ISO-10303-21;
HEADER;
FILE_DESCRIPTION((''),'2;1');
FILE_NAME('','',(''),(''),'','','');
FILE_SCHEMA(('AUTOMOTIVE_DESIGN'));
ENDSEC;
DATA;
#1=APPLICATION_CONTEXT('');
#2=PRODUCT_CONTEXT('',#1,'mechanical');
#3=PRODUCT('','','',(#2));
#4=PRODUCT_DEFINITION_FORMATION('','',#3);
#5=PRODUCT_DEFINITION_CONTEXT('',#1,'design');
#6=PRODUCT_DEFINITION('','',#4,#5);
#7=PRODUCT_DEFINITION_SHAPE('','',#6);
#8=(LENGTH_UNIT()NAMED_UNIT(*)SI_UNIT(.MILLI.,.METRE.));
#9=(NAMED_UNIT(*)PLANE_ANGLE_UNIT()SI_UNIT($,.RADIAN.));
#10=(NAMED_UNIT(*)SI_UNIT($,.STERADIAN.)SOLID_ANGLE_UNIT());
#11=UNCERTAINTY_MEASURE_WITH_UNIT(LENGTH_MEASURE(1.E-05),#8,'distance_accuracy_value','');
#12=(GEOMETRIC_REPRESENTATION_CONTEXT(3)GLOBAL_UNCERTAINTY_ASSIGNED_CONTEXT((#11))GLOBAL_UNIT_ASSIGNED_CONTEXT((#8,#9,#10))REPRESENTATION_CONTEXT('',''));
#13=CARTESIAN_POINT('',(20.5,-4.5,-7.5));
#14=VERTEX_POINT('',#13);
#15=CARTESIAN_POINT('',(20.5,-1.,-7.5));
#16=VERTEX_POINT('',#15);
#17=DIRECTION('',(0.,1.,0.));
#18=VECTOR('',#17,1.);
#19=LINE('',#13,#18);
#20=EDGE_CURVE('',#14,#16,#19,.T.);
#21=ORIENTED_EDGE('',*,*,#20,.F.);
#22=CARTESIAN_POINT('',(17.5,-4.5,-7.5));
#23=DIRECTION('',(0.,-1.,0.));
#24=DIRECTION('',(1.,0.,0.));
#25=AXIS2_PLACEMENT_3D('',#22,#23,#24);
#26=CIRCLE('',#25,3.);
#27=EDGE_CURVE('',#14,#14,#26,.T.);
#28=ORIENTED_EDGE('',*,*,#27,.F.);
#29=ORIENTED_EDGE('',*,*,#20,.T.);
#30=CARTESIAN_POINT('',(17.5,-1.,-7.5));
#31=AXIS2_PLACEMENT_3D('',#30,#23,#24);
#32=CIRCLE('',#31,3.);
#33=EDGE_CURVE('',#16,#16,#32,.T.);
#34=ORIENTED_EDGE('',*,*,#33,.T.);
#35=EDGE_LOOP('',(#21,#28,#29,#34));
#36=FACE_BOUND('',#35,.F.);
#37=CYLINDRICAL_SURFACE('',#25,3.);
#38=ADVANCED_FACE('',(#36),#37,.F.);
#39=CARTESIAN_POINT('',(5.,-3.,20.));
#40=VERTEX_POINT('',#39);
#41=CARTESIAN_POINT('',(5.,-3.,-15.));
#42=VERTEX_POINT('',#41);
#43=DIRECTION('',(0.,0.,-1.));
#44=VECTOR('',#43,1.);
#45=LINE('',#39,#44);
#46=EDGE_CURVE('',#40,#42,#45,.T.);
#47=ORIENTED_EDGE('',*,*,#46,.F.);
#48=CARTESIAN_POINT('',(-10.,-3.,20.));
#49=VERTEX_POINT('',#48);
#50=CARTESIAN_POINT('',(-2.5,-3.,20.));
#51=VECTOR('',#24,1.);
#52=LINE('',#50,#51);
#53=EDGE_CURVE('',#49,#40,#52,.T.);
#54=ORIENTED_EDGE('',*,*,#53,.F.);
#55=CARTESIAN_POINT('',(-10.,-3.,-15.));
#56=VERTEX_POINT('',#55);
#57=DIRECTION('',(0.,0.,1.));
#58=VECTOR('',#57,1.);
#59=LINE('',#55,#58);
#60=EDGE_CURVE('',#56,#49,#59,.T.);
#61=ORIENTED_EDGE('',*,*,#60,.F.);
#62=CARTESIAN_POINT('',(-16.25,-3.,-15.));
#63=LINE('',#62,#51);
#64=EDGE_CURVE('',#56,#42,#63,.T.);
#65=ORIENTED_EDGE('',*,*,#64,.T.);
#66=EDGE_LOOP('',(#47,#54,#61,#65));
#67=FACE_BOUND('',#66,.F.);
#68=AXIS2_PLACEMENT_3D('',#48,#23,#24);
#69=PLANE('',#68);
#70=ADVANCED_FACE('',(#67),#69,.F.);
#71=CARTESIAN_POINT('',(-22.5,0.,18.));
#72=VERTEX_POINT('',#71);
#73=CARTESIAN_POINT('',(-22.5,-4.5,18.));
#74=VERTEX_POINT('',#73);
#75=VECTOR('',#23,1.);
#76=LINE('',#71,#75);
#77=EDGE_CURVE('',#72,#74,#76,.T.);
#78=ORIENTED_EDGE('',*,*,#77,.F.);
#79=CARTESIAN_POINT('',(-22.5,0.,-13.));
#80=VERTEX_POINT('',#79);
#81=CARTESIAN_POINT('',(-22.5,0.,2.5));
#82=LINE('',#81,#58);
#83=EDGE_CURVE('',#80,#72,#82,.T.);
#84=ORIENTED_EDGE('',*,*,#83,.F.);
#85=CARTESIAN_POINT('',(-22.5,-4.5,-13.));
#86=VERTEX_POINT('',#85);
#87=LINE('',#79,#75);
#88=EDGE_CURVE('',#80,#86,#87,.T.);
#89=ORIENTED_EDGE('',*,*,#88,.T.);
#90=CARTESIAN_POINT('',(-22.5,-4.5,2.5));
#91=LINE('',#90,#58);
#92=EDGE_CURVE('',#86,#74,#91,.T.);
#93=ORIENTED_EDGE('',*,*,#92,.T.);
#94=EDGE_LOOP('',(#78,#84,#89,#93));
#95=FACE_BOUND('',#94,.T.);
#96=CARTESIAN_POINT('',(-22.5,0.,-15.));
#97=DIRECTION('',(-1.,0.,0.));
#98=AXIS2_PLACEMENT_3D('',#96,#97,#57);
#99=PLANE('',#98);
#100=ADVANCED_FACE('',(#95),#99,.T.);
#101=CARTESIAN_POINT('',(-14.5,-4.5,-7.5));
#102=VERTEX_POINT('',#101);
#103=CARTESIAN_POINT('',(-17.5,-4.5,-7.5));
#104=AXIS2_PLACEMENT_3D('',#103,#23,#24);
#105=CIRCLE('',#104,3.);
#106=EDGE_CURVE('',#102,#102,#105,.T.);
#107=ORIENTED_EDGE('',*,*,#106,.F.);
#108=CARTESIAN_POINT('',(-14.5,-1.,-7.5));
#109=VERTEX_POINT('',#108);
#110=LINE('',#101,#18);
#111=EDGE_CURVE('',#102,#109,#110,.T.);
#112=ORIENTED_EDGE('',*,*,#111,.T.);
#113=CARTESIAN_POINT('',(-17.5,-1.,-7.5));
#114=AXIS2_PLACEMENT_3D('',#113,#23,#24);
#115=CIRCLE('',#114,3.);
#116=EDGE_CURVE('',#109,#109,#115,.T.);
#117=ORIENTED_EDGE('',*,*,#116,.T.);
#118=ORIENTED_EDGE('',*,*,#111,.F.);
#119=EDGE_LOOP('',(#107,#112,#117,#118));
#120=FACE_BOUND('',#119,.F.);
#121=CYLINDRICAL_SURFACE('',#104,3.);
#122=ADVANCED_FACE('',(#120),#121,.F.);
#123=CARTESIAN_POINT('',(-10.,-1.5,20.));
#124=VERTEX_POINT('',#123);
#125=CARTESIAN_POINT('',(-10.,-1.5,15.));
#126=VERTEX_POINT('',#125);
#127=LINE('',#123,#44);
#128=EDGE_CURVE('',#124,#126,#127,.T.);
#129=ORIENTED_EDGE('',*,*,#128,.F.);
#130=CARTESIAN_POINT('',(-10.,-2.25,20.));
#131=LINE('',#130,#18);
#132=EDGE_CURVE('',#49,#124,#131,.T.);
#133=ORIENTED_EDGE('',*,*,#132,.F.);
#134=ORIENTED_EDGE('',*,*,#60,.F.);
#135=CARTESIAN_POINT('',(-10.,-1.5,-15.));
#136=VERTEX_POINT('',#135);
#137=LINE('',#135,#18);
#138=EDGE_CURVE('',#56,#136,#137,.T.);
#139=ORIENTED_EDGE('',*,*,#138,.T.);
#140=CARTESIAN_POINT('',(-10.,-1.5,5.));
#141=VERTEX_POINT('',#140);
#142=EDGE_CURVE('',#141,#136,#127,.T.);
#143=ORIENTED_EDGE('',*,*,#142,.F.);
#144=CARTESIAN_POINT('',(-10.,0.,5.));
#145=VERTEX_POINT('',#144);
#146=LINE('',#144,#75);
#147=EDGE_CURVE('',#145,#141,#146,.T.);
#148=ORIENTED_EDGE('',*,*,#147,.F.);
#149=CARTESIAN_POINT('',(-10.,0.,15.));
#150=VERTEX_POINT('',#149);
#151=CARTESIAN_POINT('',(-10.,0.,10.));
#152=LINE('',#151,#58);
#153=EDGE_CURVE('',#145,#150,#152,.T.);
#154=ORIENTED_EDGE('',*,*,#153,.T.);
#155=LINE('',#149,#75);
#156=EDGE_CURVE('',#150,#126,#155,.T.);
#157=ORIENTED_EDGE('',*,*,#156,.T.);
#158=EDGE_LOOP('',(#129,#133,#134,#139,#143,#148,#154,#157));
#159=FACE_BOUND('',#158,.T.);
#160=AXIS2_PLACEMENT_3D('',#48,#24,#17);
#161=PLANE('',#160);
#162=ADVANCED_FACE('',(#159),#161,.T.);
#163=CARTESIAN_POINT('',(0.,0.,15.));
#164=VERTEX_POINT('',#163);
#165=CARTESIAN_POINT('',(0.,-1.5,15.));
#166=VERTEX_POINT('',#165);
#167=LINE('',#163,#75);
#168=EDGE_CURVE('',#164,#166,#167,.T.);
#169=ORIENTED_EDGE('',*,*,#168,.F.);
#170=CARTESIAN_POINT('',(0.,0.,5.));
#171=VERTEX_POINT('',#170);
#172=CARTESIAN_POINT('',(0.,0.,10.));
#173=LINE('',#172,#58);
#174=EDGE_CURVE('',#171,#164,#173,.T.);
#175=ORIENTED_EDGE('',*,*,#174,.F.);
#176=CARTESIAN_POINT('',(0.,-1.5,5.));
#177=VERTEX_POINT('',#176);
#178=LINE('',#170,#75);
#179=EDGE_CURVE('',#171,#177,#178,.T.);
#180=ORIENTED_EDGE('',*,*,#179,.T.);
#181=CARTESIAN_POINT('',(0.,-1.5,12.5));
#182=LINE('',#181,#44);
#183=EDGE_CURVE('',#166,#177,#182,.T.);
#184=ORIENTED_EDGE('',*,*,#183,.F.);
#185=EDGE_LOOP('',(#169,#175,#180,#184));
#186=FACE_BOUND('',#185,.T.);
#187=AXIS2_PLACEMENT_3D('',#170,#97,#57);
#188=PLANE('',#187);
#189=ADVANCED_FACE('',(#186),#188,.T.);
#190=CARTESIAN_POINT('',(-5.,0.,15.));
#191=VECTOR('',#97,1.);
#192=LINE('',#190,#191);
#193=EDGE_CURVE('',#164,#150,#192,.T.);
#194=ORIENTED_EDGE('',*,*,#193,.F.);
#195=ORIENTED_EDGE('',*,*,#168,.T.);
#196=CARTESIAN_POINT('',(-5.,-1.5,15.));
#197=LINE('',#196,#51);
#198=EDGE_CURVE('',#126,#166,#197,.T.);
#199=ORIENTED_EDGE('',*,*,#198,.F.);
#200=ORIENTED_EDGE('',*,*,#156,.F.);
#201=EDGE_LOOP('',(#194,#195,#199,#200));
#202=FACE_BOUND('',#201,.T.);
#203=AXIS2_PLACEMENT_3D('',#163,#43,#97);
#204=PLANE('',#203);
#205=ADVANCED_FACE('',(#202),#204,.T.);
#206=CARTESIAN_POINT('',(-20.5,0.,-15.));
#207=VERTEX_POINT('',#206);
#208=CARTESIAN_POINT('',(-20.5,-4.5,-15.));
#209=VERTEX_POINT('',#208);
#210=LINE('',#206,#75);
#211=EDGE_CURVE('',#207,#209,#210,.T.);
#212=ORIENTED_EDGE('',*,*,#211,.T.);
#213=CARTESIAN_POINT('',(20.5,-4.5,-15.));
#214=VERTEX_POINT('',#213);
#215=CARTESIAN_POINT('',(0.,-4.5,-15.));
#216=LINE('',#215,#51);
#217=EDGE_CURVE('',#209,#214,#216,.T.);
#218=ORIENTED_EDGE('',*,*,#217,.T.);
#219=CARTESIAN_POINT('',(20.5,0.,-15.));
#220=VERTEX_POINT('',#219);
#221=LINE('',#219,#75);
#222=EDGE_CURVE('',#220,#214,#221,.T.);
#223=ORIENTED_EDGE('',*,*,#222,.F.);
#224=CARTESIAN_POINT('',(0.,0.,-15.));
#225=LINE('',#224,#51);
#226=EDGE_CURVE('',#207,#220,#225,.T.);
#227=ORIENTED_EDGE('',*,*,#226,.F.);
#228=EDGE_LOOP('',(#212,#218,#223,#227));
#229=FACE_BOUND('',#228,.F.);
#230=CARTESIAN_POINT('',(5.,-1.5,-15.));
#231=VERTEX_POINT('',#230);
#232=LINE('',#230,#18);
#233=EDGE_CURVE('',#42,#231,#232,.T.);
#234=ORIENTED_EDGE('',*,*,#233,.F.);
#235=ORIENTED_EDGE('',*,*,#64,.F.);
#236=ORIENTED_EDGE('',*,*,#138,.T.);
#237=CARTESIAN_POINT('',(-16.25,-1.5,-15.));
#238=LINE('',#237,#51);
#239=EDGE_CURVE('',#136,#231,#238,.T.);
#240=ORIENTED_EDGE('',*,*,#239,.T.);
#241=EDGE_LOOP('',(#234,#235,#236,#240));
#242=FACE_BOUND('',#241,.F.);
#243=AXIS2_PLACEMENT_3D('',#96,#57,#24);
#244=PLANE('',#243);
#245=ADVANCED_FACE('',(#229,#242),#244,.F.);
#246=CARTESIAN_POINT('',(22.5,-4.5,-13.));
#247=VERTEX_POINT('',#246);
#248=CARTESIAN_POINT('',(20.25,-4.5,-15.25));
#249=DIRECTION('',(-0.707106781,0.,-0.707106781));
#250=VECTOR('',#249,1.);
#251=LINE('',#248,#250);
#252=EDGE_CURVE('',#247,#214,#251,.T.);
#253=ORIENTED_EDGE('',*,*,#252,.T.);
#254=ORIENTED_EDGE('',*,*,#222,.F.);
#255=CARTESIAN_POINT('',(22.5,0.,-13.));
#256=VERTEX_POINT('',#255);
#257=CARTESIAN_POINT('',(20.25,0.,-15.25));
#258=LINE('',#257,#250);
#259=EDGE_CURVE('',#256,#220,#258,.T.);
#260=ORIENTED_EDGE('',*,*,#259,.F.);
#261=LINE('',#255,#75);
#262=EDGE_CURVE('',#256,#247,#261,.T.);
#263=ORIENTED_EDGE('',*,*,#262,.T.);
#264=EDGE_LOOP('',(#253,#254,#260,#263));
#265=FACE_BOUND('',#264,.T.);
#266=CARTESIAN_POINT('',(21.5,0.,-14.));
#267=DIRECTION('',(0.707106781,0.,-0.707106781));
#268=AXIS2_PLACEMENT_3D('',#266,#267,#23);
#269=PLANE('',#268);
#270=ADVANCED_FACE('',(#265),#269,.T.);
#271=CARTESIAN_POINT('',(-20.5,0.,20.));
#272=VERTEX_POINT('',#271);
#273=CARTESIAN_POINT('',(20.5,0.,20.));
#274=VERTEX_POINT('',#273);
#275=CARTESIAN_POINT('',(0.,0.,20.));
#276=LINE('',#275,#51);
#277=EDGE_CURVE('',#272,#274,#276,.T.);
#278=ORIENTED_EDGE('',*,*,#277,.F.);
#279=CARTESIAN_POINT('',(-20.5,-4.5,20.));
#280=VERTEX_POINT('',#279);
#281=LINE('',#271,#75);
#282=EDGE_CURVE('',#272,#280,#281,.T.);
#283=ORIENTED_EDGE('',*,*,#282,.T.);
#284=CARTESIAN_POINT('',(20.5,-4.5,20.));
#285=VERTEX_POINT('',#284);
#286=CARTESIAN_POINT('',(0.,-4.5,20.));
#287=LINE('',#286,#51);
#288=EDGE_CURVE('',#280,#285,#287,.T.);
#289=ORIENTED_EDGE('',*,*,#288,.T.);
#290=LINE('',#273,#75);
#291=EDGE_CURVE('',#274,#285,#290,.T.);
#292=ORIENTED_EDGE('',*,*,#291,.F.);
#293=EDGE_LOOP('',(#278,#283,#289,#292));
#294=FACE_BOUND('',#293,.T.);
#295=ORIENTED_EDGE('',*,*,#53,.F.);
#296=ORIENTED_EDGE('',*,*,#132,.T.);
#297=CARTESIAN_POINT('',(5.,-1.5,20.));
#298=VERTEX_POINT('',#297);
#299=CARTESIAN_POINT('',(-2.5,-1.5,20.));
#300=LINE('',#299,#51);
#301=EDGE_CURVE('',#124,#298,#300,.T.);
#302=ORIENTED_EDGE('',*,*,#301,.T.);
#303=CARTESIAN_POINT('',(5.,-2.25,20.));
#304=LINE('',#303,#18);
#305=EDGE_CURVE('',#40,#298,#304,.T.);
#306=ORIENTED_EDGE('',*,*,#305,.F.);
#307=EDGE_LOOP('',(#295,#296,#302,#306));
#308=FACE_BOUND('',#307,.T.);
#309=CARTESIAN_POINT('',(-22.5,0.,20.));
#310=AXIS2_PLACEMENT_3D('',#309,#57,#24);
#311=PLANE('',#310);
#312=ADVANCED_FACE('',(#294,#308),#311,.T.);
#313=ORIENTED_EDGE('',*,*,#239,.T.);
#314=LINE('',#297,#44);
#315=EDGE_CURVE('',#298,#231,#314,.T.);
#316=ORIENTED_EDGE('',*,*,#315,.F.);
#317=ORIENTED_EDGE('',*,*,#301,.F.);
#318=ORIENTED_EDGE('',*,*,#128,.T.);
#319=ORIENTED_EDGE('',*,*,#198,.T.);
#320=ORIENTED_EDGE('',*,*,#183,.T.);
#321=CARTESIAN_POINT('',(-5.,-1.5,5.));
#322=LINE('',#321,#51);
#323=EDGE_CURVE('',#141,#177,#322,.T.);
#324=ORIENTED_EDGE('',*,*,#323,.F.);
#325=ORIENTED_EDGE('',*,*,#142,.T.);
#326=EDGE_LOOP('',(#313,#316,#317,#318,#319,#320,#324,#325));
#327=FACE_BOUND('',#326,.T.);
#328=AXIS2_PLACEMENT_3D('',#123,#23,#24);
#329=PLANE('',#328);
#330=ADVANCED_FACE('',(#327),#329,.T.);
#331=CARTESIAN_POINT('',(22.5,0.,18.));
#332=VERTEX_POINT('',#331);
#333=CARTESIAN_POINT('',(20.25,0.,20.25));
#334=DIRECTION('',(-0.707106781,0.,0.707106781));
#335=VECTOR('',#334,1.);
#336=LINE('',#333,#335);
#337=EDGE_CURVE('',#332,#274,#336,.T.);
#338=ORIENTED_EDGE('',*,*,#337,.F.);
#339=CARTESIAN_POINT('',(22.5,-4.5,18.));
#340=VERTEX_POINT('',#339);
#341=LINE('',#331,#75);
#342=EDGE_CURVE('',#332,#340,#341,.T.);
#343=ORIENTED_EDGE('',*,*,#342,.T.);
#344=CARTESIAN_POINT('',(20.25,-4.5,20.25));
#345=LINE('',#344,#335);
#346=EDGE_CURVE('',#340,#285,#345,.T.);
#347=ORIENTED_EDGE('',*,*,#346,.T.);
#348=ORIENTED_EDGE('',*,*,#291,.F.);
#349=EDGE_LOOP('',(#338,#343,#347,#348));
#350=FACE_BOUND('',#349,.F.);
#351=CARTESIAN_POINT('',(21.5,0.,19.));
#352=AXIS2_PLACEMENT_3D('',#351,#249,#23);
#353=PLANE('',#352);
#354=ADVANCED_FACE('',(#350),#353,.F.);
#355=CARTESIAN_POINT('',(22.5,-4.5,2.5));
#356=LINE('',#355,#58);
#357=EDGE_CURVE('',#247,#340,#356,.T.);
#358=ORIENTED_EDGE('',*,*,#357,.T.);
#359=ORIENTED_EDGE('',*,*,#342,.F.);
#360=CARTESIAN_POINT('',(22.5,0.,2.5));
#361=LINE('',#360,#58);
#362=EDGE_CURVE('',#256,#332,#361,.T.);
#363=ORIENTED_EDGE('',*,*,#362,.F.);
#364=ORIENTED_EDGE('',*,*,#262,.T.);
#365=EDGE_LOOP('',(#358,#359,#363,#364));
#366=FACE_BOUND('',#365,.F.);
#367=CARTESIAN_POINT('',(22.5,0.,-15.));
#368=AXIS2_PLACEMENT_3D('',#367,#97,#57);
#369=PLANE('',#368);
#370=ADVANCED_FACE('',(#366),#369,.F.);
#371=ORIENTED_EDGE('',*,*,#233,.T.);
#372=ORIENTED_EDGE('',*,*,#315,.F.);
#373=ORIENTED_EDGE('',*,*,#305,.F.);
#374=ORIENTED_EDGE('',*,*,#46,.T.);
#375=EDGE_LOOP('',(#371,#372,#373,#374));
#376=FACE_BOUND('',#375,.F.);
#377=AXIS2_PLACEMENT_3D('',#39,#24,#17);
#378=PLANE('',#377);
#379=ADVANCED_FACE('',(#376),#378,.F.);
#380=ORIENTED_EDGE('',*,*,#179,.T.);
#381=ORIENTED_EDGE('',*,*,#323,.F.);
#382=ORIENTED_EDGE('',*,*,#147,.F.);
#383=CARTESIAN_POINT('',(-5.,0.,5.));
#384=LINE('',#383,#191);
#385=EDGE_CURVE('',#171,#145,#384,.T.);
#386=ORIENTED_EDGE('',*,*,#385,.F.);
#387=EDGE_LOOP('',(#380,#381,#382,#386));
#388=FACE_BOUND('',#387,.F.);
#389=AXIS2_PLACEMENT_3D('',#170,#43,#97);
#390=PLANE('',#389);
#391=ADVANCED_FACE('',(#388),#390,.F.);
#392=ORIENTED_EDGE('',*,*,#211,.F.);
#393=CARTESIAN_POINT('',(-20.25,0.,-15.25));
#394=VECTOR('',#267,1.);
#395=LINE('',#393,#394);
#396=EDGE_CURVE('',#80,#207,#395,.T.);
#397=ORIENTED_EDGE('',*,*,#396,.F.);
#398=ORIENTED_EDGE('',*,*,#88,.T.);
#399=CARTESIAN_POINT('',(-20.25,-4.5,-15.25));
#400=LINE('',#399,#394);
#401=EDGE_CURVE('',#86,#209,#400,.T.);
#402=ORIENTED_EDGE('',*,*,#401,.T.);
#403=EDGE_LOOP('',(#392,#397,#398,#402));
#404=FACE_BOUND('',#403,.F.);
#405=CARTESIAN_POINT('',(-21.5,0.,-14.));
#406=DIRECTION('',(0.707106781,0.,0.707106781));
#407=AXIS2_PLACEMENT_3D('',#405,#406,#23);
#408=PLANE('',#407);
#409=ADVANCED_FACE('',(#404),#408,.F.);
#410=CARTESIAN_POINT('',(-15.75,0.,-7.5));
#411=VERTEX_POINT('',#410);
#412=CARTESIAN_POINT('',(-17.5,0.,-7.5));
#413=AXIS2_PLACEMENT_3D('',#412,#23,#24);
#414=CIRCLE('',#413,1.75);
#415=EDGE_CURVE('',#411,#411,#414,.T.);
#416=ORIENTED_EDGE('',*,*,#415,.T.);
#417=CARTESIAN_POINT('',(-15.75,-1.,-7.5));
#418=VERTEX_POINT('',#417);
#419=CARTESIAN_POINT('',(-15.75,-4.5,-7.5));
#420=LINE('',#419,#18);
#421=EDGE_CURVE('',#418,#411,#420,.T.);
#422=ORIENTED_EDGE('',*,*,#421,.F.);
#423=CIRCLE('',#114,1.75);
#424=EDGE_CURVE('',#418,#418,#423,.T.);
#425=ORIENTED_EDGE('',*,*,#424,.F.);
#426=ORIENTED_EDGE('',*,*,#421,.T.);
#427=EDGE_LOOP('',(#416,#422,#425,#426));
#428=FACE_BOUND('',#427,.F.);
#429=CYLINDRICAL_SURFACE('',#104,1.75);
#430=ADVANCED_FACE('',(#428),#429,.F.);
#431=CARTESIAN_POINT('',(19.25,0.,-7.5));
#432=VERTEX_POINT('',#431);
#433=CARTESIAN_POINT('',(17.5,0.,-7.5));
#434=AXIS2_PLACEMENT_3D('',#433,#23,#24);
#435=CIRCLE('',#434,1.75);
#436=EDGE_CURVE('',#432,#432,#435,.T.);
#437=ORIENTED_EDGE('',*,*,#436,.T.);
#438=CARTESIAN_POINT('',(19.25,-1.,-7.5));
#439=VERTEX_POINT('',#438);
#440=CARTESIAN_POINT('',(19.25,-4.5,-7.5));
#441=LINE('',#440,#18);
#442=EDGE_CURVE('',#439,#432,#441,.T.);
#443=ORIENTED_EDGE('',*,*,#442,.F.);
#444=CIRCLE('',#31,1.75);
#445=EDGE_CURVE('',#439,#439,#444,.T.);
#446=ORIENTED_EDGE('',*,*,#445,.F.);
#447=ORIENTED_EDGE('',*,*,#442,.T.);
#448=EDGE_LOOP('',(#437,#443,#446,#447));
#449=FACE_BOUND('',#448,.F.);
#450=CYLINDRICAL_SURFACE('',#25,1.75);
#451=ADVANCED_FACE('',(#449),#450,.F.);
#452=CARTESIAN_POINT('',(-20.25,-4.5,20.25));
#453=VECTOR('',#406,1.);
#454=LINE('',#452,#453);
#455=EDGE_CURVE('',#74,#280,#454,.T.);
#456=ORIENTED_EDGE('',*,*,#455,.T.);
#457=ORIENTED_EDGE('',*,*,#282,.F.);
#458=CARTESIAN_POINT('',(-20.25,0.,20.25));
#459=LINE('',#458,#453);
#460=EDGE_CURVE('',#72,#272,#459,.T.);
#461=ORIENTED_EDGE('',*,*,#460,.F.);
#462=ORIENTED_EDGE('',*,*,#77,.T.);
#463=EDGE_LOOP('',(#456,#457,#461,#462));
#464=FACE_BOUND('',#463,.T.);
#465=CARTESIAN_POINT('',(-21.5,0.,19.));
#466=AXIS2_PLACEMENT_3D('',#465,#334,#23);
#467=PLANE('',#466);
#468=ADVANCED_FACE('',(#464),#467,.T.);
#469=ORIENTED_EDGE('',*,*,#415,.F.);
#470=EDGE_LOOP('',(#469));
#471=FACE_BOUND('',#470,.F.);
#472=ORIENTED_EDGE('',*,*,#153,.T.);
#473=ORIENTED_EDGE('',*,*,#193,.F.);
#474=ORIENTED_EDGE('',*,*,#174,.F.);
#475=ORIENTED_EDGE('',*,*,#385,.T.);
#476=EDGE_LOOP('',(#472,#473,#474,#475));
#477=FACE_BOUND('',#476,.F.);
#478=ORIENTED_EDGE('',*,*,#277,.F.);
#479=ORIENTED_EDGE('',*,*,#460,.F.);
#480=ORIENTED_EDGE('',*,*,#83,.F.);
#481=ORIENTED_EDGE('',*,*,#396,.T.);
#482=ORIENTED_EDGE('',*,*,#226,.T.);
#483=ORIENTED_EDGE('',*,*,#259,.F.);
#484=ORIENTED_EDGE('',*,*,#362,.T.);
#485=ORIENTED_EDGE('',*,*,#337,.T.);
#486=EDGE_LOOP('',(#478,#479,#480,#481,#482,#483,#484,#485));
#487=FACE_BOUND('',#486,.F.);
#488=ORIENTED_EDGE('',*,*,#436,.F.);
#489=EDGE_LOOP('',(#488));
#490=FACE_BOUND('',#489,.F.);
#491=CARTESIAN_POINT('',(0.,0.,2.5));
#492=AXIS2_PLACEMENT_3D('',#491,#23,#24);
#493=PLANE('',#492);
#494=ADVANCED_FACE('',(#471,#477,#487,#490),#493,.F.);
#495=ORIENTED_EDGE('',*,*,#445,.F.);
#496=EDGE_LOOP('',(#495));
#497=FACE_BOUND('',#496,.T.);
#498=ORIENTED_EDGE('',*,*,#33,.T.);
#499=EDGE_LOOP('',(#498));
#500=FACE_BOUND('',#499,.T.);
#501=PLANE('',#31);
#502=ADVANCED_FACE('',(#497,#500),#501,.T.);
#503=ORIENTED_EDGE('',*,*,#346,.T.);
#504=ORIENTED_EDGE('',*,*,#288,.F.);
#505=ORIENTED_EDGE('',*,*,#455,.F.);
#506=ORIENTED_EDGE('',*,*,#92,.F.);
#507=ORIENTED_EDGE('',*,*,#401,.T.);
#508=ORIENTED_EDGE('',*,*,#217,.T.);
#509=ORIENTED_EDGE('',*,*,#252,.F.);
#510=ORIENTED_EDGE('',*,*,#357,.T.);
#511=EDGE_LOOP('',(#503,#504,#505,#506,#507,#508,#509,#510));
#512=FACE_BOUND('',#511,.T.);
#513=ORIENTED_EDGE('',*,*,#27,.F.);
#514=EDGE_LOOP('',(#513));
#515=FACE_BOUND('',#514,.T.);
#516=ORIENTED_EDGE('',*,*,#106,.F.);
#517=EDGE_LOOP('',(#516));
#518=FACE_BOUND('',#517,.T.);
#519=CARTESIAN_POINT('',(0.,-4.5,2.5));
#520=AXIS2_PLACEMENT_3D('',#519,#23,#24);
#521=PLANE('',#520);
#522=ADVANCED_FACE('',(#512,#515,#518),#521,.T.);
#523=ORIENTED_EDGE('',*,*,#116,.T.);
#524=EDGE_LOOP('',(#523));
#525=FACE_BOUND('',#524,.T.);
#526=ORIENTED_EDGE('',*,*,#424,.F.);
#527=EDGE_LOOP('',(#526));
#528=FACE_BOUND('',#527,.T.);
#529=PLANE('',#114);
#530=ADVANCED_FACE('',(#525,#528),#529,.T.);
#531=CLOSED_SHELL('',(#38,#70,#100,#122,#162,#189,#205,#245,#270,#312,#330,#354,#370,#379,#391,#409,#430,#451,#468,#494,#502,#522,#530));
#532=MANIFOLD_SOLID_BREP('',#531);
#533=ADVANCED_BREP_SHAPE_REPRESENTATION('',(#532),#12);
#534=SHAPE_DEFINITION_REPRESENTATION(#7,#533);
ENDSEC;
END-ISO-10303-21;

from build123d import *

# Parameters (mm, degrees)
F0_W     = 45
F0_H     = 35
F1_DEPTH = 4.5
F2_W     = 15
F2_H     = 1.5
F3_DEPTH = 35.001
F4_R     = 3
F5_DEPTH = 3.5
F6_R     = 1.75
F7_DEPTH = 4.501
F8_W     = 10
F8_H     = 10
F9_DEPTH = 3
F10_SIZE = 2


with BuildPart() as f1:
    # F0 (on Front) → F1 (new body)
    with BuildSketch(Plane.XZ):
        with Locations((0, 2.5)):
            Rectangle(F0_W, F0_H)
    extrude(amount=F1_DEPTH)

    # F2 (on face) → F3 (cut, through all)
    with BuildSketch(Plane.XY.offset(20)):
        with Locations((-2.5, -2.25)):
            Rectangle(F2_W, F2_H)
    extrude(amount=-F3_DEPTH, mode=Mode.SUBTRACT)

    # F4 (on face) → F5 (cut)
    with BuildSketch(Plane.XZ.offset(4.5)):
        with Locations((17.5, -7.5)):
            Circle(F4_R)
        with Locations((-17.5, -7.5)):
            Circle(F4_R)
    extrude(amount=-F5_DEPTH, mode=Mode.SUBTRACT)

    # F6 (on face) → F7 (cut, through all)
    with BuildSketch(Plane.XZ.offset(4.5)):
        with Locations((17.5, -7.5)):
            Circle(F6_R)
        with Locations((-17.5, -7.5)):
            Circle(F6_R)
    extrude(amount=-F7_DEPTH, mode=Mode.SUBTRACT)

    # F8 (on face) → F9 (cut)
    with BuildSketch(Plane(origin=(0, 0, 0), x_dir=(-1, 0, 0), z_dir=(0, 1, 0))):
        with Locations((5, 10)):
            Rectangle(F8_W, F8_H)
    extrude(amount=-F9_DEPTH, mode=Mode.SUBTRACT)

    # F10
    f10_edges = [f1.edges().sort_by_distance(p)[0] for p in [
        (-22.5, -2.25, 20),
        (22.5, -2.25, 20),
        (22.5, -2.25, -15),
        (-22.5, -2.25, -15),
    ]]
    chamfer(f10_edges, length=F10_SIZE)


solid = f1.part
